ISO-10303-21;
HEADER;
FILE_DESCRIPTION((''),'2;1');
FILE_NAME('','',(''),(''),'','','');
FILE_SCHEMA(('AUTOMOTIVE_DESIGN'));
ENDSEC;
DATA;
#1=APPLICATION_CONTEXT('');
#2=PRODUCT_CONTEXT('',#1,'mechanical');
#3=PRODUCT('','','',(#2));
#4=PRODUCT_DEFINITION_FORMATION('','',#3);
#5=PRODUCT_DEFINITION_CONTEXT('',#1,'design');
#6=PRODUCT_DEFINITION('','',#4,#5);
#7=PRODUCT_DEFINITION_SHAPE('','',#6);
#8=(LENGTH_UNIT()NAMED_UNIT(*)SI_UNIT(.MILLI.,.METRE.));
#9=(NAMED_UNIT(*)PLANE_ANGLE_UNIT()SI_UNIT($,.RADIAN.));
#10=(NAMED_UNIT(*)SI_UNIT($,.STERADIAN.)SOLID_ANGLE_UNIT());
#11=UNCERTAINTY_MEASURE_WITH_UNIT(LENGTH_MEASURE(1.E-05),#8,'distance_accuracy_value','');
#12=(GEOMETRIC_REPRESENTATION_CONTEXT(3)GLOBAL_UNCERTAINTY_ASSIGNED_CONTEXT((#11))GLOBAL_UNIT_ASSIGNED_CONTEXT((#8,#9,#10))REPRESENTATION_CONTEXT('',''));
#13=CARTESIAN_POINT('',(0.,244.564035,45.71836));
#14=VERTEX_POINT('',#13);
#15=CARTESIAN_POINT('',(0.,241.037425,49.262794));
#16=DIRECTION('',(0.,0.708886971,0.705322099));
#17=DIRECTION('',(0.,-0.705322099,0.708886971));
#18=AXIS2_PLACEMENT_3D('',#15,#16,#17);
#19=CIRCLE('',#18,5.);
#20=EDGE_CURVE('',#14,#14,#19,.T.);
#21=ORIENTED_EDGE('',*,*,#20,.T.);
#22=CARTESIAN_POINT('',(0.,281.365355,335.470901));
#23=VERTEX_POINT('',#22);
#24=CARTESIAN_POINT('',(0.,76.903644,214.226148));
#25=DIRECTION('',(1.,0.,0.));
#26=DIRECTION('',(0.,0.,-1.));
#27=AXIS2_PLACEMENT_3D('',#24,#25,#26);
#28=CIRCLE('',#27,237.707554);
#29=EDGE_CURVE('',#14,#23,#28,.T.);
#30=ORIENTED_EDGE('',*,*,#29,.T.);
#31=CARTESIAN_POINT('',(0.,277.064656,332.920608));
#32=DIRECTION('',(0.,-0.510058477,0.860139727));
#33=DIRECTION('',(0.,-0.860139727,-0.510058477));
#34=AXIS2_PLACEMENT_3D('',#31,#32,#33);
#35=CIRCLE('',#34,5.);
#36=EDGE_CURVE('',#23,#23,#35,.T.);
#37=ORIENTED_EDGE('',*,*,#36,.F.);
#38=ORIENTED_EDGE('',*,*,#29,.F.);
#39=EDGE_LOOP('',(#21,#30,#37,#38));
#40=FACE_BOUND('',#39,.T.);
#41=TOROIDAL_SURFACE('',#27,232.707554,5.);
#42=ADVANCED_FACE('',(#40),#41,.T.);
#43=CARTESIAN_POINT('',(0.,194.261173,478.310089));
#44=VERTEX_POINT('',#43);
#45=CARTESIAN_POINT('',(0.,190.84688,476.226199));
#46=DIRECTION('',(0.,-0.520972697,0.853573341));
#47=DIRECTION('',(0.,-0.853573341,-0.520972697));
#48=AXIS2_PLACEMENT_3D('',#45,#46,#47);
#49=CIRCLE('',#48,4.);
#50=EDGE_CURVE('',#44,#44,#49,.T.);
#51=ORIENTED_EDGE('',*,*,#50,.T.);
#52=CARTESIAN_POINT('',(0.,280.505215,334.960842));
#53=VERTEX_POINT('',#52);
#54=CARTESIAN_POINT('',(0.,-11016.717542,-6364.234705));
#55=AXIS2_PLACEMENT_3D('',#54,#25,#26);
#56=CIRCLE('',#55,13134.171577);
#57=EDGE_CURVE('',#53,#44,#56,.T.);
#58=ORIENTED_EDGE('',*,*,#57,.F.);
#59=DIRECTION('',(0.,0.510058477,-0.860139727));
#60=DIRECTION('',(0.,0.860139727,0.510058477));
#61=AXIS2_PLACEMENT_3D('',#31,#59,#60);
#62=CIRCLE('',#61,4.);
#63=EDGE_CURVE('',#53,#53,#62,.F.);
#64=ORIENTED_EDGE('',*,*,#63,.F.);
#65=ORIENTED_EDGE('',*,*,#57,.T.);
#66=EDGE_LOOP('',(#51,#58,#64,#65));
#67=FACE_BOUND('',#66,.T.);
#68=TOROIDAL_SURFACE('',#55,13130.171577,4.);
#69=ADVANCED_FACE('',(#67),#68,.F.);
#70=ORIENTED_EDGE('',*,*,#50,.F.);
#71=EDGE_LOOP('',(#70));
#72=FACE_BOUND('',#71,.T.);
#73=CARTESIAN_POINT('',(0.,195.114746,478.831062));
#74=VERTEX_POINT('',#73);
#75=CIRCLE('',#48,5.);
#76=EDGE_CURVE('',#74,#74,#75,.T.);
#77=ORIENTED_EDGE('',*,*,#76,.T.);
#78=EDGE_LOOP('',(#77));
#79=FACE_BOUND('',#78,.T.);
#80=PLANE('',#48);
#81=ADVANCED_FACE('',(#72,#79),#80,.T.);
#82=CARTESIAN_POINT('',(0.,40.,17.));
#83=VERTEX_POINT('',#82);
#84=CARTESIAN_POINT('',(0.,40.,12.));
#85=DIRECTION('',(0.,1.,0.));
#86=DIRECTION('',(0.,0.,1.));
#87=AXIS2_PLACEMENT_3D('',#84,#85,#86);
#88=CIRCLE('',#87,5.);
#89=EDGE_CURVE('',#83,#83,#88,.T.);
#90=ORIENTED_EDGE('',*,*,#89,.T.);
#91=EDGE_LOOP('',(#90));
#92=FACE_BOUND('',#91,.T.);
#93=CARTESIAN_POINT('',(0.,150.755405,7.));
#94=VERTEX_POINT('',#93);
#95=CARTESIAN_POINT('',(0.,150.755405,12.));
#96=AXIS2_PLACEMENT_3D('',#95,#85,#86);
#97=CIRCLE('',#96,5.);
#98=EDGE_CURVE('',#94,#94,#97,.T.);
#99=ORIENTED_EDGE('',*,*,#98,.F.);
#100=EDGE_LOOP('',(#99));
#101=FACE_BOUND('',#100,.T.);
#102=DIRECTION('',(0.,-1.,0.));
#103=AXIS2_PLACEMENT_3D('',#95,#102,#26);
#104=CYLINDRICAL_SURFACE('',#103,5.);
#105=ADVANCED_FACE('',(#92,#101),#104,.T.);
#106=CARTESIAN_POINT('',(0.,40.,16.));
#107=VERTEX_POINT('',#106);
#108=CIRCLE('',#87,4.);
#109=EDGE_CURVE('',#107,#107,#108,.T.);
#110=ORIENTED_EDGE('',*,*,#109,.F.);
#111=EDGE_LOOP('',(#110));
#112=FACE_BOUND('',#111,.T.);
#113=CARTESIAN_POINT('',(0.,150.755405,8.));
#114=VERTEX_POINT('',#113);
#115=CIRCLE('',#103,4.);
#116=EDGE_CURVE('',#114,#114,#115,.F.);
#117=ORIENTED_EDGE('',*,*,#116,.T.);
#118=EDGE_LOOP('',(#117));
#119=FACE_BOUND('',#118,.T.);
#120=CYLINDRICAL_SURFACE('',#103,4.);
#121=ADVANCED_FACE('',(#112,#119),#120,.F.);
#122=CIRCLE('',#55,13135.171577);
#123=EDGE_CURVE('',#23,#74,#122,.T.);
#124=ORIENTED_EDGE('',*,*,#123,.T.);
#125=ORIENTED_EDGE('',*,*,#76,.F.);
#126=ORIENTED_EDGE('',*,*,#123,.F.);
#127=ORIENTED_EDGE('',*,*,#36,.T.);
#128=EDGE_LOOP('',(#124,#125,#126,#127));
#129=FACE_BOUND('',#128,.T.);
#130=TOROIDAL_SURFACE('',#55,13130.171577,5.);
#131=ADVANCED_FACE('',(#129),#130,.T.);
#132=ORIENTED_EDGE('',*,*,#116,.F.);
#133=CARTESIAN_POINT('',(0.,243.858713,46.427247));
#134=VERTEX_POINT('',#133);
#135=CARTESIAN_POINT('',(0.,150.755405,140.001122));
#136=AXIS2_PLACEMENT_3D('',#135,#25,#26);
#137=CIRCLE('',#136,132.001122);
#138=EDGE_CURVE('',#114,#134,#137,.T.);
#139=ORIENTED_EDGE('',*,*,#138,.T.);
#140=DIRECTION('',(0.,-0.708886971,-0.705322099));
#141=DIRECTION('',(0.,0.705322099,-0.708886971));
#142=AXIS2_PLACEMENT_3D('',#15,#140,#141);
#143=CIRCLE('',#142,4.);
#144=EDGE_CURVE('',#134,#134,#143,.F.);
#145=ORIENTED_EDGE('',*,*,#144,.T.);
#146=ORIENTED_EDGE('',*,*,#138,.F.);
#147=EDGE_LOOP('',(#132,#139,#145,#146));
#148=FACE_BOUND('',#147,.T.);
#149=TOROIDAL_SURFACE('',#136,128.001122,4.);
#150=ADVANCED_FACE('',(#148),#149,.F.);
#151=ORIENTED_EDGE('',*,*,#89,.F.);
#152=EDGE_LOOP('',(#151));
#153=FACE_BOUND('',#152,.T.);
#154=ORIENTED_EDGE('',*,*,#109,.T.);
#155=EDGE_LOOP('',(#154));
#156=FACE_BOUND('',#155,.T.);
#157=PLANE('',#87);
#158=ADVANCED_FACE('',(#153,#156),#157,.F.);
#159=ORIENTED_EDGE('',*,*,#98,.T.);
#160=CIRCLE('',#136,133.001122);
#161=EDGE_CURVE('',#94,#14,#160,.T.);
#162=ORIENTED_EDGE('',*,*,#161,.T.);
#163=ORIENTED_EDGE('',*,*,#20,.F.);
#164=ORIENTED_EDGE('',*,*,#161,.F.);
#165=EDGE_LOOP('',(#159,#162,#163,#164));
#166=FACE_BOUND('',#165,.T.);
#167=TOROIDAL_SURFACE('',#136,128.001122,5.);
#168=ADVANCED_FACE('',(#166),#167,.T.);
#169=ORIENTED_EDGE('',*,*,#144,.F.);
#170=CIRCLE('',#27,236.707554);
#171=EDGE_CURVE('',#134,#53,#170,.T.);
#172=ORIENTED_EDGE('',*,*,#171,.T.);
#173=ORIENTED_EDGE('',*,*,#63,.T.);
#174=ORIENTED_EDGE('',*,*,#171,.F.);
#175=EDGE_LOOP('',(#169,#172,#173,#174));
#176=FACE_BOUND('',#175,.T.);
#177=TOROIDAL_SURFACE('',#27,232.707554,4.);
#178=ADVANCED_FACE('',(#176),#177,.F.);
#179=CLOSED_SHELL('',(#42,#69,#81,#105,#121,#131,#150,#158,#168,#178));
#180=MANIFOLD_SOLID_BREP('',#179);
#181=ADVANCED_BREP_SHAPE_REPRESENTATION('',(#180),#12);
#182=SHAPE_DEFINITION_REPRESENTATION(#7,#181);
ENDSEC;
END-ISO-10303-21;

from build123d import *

# Parameters (mm, degrees)
CROQUIS7_R = 5
VACIADO2_T = -1


with BuildPart() as part:
    # Barrer1: sweep along a path in Croquis5
    with BuildLine(Plane(origin=(0, 0, 0), x_dir=(0, 0, -1), z_dir=(1, 0, 0))) as barrer1_path:
        Line((-12, 40), (-12, 150.755404513))
        ThreePointArc((-12, 150.755404513), (-21.681861179, 199.590225681), (-49.262794498, 241.037424762))
        ThreePointArc((-49.262794498, 241.037424762), (-184.905626604, 307.756655581), (-332.920608455, 277.064656453))
        ThreePointArc((-332.920608455, 277.064656453), (-404.710677086, 234.183935346), (-476.226198503, 190.846879685))
    # Croquis7 → Barrer1 (sweep)
    with BuildSketch(Plane(origin=(0, 40, 12), x_dir=(-1, 0, 0), z_dir=(0, 1, 0))):
        Circle(CROQUIS7_R)
    sweep(path=barrer1_path.line)

    # Vaciado2
    vaciado2_openings = [part.faces().sort_by_distance(p)[0] for p in [
        (0, 190.846879685, 476.226198503),
        (0, 40, 12),
    ]]
    offset(amount=VACIADO2_T, openings=vaciado2_openings, kind=Kind.INTERSECTION)


solid = part.part
